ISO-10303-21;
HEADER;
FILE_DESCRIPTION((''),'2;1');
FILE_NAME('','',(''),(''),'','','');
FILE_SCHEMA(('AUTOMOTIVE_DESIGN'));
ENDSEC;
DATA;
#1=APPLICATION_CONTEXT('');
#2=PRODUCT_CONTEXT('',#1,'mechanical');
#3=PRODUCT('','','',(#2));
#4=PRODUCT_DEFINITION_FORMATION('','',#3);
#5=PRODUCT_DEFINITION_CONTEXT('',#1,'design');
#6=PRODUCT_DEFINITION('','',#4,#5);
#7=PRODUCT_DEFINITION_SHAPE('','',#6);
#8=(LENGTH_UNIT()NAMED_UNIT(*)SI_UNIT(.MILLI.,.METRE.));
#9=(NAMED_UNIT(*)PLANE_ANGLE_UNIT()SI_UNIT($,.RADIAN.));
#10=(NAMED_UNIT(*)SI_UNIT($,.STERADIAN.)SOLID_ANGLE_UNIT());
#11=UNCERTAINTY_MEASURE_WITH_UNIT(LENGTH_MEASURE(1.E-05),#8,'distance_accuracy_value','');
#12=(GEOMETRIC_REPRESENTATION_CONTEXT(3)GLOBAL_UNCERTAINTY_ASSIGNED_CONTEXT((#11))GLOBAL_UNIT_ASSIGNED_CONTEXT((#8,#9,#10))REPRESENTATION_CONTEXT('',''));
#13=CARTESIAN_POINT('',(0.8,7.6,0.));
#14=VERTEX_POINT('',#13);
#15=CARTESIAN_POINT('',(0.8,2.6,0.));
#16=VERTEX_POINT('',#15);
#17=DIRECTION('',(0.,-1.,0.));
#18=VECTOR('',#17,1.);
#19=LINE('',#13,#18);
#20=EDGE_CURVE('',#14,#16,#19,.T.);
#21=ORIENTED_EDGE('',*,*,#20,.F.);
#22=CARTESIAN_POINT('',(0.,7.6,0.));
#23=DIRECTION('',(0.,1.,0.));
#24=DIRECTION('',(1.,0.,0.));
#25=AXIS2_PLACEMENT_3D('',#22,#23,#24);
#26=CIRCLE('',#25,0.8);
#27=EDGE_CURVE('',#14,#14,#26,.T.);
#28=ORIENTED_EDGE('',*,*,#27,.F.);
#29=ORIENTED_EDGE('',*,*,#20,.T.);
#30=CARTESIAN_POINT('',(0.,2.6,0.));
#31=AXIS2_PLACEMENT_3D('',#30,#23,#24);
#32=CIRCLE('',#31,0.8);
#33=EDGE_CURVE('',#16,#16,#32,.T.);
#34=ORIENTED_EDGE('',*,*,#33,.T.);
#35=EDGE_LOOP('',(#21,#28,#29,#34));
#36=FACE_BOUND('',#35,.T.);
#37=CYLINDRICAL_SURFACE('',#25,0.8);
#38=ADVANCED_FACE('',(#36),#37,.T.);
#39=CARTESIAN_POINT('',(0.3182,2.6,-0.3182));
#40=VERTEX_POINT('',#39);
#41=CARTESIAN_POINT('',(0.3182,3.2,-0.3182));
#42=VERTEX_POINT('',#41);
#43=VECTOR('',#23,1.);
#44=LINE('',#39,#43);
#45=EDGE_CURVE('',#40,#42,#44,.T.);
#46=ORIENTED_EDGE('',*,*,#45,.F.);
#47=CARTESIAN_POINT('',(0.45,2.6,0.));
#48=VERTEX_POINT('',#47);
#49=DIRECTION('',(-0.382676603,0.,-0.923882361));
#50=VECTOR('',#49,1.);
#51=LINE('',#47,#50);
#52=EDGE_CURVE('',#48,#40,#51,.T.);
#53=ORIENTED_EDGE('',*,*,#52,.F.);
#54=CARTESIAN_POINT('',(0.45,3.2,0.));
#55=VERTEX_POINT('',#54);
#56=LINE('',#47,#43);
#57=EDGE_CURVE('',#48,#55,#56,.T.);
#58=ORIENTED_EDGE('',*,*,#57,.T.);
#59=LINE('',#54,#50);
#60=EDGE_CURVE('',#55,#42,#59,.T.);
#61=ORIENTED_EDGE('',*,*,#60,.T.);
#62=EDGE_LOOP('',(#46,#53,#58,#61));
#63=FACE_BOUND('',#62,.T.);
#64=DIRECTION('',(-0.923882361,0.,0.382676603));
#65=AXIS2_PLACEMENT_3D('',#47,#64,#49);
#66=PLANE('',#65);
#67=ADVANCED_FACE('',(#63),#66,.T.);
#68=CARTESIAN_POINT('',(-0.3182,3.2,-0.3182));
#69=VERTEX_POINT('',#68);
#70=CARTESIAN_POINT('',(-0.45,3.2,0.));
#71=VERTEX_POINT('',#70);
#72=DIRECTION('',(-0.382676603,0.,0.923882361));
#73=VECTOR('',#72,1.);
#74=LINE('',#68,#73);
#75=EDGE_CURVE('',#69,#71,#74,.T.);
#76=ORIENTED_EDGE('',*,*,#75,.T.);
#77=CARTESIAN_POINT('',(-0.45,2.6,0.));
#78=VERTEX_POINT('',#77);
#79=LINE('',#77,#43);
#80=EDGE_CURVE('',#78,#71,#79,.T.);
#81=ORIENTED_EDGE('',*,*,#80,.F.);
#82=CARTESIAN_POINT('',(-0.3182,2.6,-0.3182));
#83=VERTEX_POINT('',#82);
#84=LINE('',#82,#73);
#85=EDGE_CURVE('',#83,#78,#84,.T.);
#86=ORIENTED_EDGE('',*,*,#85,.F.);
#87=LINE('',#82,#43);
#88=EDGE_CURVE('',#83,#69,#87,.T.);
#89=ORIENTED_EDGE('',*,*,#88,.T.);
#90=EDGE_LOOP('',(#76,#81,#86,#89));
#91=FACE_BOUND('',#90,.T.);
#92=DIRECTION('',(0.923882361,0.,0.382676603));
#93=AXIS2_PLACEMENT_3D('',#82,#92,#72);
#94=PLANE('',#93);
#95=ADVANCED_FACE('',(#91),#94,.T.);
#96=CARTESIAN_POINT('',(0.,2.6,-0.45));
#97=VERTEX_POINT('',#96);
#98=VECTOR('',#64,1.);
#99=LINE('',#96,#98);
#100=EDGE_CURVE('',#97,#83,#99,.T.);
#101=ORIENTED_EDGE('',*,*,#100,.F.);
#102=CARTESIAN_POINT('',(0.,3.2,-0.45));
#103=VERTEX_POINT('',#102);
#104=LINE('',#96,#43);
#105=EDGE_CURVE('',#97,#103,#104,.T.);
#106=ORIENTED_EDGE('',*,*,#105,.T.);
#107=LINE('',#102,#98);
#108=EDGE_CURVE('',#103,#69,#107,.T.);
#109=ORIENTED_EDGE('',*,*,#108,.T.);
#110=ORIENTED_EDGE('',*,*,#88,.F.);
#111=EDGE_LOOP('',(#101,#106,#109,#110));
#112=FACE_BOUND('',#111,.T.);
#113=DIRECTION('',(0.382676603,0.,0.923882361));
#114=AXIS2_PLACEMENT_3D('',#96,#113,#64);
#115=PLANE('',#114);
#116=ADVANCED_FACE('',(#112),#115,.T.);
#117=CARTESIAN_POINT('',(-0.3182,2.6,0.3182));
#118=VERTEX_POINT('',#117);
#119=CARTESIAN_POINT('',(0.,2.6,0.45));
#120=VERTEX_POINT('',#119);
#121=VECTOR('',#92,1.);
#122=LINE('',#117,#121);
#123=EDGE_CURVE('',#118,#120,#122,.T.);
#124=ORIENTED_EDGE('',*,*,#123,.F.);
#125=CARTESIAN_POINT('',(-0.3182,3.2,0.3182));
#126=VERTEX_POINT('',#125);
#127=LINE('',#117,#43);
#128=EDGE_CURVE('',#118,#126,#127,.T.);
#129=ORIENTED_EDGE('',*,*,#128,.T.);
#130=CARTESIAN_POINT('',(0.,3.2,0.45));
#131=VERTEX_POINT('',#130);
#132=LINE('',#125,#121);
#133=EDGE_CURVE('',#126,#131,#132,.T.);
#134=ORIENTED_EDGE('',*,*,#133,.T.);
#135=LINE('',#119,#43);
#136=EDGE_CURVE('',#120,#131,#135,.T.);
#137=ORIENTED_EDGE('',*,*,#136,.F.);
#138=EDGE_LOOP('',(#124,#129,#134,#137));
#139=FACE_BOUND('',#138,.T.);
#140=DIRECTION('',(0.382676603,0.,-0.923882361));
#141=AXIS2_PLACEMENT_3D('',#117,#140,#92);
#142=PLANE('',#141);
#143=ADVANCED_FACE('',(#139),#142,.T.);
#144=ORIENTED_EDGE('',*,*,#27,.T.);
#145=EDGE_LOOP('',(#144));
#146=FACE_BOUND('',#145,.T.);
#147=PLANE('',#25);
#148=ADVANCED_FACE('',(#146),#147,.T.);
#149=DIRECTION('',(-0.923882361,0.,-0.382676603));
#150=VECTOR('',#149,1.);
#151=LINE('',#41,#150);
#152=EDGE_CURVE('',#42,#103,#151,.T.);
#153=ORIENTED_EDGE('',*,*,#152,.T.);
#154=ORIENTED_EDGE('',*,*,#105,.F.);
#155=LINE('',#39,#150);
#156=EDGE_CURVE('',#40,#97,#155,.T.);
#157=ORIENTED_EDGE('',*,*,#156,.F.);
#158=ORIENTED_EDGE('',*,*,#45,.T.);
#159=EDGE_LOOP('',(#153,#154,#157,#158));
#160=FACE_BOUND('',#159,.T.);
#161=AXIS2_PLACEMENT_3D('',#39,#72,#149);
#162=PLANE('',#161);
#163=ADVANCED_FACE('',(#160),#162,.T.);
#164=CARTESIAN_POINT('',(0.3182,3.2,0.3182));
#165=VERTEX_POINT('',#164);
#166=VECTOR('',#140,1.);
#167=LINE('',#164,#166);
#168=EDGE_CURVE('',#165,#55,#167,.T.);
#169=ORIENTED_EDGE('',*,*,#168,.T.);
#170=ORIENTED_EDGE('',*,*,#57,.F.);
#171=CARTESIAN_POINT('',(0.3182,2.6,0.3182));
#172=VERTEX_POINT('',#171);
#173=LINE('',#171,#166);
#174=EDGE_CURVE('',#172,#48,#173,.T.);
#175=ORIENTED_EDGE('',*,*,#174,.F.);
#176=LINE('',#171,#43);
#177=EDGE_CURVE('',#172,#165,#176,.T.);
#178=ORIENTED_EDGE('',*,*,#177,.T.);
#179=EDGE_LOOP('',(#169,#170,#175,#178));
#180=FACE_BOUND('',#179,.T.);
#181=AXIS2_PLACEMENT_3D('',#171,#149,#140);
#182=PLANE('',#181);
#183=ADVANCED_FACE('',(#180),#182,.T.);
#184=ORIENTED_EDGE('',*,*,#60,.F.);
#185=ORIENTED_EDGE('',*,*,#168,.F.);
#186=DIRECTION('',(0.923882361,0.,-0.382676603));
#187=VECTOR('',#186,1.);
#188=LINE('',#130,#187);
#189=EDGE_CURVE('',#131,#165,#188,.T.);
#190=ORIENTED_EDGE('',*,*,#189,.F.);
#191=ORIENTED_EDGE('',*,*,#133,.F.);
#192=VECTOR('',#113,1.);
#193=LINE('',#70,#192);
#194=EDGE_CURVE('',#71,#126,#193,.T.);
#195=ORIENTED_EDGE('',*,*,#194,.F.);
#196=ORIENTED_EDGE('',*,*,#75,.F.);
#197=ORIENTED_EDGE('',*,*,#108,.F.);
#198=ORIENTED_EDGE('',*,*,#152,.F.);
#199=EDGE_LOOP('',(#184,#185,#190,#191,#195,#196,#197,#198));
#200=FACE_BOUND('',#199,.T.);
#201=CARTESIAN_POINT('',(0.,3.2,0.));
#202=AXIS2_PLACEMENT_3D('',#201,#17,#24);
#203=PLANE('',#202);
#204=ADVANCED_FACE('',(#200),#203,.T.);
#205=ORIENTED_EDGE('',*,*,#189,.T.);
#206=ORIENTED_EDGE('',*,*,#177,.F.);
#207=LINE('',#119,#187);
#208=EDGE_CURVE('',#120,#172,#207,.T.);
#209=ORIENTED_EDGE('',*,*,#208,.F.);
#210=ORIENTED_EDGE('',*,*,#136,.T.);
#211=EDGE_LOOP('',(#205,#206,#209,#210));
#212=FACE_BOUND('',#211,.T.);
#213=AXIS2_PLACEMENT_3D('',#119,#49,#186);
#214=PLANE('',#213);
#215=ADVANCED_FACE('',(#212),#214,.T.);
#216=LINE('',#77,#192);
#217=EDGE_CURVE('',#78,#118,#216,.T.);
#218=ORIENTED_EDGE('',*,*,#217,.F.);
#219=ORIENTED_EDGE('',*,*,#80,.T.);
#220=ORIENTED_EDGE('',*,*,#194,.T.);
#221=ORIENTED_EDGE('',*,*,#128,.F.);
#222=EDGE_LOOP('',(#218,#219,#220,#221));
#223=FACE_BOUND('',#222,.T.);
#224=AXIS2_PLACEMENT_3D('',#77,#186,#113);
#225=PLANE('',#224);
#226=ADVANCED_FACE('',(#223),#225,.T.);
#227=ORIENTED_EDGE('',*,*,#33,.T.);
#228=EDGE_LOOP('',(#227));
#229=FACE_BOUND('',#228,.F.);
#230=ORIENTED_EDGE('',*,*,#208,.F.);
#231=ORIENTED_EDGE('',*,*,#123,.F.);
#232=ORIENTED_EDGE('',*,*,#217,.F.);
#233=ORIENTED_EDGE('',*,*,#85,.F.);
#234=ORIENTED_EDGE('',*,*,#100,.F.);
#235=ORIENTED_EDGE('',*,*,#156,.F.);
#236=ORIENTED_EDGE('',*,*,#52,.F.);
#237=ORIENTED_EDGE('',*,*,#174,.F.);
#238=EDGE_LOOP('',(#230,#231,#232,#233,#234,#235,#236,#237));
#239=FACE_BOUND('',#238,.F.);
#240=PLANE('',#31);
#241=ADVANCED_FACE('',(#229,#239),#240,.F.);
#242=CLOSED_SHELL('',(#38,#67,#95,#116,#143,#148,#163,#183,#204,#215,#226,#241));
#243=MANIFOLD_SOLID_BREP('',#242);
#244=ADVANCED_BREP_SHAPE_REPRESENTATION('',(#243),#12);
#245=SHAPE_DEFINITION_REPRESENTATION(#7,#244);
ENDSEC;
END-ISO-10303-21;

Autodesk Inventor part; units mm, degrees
ref_plane "YZ Plane" through (0, 0, 0) normal (1, 0, 0) x (0, 1, 0)
ref_plane "Work Plane4" through (0, 0, 0) normal (0, -1, 0) x (1, 0, 0)
ref_plane "Work Plane10" through (0, 7.6, 0) normal (0, 1, 0) x (1, 0, 0)
sketch "Sketch7" plane through (0, 7.6, 0) normal (0, 1, 0) x (1, 0, 0)
  circle A0 centre (0, 0) radius 0.8
  dimension "d57" = 1.6
extrude "Extrusion7" add sketch "Sketch7" against normal blind 5
sketch "Sketch8" plane through (0, 2.6, 0) normal (0, -1, 0) x (1, 0, 0)
  line L0 (0.45, 0) -> (0.3182, -0.3182)
  line L1 (0.3182, -0.3182) -> (0, -0.45)
  line L2 (0, -0.45) -> (-0.3182, -0.3182)
  line L3 (-0.3182, -0.3182) -> (-0.45, 0)
  line L4 (-0.45, 0) -> (-0.3182, 0.3182)
  line L5 (-0.3182, 0.3182) -> (0, 0.45)
  line L6 (0, 0.45) -> (0.3182, 0.3182)
  line L7 (0.3182, 0.3182) -> (0.45, 0)
  point P0 (0, 0)
extrude "Extrusion8" cut sketch "Sketch8" against normal blind 0.6
thread "Thread5" size "M1.6x0.35" class "6g" standard "ANSI Metric M Profile" full length
properties part number "M2x6_D963"
